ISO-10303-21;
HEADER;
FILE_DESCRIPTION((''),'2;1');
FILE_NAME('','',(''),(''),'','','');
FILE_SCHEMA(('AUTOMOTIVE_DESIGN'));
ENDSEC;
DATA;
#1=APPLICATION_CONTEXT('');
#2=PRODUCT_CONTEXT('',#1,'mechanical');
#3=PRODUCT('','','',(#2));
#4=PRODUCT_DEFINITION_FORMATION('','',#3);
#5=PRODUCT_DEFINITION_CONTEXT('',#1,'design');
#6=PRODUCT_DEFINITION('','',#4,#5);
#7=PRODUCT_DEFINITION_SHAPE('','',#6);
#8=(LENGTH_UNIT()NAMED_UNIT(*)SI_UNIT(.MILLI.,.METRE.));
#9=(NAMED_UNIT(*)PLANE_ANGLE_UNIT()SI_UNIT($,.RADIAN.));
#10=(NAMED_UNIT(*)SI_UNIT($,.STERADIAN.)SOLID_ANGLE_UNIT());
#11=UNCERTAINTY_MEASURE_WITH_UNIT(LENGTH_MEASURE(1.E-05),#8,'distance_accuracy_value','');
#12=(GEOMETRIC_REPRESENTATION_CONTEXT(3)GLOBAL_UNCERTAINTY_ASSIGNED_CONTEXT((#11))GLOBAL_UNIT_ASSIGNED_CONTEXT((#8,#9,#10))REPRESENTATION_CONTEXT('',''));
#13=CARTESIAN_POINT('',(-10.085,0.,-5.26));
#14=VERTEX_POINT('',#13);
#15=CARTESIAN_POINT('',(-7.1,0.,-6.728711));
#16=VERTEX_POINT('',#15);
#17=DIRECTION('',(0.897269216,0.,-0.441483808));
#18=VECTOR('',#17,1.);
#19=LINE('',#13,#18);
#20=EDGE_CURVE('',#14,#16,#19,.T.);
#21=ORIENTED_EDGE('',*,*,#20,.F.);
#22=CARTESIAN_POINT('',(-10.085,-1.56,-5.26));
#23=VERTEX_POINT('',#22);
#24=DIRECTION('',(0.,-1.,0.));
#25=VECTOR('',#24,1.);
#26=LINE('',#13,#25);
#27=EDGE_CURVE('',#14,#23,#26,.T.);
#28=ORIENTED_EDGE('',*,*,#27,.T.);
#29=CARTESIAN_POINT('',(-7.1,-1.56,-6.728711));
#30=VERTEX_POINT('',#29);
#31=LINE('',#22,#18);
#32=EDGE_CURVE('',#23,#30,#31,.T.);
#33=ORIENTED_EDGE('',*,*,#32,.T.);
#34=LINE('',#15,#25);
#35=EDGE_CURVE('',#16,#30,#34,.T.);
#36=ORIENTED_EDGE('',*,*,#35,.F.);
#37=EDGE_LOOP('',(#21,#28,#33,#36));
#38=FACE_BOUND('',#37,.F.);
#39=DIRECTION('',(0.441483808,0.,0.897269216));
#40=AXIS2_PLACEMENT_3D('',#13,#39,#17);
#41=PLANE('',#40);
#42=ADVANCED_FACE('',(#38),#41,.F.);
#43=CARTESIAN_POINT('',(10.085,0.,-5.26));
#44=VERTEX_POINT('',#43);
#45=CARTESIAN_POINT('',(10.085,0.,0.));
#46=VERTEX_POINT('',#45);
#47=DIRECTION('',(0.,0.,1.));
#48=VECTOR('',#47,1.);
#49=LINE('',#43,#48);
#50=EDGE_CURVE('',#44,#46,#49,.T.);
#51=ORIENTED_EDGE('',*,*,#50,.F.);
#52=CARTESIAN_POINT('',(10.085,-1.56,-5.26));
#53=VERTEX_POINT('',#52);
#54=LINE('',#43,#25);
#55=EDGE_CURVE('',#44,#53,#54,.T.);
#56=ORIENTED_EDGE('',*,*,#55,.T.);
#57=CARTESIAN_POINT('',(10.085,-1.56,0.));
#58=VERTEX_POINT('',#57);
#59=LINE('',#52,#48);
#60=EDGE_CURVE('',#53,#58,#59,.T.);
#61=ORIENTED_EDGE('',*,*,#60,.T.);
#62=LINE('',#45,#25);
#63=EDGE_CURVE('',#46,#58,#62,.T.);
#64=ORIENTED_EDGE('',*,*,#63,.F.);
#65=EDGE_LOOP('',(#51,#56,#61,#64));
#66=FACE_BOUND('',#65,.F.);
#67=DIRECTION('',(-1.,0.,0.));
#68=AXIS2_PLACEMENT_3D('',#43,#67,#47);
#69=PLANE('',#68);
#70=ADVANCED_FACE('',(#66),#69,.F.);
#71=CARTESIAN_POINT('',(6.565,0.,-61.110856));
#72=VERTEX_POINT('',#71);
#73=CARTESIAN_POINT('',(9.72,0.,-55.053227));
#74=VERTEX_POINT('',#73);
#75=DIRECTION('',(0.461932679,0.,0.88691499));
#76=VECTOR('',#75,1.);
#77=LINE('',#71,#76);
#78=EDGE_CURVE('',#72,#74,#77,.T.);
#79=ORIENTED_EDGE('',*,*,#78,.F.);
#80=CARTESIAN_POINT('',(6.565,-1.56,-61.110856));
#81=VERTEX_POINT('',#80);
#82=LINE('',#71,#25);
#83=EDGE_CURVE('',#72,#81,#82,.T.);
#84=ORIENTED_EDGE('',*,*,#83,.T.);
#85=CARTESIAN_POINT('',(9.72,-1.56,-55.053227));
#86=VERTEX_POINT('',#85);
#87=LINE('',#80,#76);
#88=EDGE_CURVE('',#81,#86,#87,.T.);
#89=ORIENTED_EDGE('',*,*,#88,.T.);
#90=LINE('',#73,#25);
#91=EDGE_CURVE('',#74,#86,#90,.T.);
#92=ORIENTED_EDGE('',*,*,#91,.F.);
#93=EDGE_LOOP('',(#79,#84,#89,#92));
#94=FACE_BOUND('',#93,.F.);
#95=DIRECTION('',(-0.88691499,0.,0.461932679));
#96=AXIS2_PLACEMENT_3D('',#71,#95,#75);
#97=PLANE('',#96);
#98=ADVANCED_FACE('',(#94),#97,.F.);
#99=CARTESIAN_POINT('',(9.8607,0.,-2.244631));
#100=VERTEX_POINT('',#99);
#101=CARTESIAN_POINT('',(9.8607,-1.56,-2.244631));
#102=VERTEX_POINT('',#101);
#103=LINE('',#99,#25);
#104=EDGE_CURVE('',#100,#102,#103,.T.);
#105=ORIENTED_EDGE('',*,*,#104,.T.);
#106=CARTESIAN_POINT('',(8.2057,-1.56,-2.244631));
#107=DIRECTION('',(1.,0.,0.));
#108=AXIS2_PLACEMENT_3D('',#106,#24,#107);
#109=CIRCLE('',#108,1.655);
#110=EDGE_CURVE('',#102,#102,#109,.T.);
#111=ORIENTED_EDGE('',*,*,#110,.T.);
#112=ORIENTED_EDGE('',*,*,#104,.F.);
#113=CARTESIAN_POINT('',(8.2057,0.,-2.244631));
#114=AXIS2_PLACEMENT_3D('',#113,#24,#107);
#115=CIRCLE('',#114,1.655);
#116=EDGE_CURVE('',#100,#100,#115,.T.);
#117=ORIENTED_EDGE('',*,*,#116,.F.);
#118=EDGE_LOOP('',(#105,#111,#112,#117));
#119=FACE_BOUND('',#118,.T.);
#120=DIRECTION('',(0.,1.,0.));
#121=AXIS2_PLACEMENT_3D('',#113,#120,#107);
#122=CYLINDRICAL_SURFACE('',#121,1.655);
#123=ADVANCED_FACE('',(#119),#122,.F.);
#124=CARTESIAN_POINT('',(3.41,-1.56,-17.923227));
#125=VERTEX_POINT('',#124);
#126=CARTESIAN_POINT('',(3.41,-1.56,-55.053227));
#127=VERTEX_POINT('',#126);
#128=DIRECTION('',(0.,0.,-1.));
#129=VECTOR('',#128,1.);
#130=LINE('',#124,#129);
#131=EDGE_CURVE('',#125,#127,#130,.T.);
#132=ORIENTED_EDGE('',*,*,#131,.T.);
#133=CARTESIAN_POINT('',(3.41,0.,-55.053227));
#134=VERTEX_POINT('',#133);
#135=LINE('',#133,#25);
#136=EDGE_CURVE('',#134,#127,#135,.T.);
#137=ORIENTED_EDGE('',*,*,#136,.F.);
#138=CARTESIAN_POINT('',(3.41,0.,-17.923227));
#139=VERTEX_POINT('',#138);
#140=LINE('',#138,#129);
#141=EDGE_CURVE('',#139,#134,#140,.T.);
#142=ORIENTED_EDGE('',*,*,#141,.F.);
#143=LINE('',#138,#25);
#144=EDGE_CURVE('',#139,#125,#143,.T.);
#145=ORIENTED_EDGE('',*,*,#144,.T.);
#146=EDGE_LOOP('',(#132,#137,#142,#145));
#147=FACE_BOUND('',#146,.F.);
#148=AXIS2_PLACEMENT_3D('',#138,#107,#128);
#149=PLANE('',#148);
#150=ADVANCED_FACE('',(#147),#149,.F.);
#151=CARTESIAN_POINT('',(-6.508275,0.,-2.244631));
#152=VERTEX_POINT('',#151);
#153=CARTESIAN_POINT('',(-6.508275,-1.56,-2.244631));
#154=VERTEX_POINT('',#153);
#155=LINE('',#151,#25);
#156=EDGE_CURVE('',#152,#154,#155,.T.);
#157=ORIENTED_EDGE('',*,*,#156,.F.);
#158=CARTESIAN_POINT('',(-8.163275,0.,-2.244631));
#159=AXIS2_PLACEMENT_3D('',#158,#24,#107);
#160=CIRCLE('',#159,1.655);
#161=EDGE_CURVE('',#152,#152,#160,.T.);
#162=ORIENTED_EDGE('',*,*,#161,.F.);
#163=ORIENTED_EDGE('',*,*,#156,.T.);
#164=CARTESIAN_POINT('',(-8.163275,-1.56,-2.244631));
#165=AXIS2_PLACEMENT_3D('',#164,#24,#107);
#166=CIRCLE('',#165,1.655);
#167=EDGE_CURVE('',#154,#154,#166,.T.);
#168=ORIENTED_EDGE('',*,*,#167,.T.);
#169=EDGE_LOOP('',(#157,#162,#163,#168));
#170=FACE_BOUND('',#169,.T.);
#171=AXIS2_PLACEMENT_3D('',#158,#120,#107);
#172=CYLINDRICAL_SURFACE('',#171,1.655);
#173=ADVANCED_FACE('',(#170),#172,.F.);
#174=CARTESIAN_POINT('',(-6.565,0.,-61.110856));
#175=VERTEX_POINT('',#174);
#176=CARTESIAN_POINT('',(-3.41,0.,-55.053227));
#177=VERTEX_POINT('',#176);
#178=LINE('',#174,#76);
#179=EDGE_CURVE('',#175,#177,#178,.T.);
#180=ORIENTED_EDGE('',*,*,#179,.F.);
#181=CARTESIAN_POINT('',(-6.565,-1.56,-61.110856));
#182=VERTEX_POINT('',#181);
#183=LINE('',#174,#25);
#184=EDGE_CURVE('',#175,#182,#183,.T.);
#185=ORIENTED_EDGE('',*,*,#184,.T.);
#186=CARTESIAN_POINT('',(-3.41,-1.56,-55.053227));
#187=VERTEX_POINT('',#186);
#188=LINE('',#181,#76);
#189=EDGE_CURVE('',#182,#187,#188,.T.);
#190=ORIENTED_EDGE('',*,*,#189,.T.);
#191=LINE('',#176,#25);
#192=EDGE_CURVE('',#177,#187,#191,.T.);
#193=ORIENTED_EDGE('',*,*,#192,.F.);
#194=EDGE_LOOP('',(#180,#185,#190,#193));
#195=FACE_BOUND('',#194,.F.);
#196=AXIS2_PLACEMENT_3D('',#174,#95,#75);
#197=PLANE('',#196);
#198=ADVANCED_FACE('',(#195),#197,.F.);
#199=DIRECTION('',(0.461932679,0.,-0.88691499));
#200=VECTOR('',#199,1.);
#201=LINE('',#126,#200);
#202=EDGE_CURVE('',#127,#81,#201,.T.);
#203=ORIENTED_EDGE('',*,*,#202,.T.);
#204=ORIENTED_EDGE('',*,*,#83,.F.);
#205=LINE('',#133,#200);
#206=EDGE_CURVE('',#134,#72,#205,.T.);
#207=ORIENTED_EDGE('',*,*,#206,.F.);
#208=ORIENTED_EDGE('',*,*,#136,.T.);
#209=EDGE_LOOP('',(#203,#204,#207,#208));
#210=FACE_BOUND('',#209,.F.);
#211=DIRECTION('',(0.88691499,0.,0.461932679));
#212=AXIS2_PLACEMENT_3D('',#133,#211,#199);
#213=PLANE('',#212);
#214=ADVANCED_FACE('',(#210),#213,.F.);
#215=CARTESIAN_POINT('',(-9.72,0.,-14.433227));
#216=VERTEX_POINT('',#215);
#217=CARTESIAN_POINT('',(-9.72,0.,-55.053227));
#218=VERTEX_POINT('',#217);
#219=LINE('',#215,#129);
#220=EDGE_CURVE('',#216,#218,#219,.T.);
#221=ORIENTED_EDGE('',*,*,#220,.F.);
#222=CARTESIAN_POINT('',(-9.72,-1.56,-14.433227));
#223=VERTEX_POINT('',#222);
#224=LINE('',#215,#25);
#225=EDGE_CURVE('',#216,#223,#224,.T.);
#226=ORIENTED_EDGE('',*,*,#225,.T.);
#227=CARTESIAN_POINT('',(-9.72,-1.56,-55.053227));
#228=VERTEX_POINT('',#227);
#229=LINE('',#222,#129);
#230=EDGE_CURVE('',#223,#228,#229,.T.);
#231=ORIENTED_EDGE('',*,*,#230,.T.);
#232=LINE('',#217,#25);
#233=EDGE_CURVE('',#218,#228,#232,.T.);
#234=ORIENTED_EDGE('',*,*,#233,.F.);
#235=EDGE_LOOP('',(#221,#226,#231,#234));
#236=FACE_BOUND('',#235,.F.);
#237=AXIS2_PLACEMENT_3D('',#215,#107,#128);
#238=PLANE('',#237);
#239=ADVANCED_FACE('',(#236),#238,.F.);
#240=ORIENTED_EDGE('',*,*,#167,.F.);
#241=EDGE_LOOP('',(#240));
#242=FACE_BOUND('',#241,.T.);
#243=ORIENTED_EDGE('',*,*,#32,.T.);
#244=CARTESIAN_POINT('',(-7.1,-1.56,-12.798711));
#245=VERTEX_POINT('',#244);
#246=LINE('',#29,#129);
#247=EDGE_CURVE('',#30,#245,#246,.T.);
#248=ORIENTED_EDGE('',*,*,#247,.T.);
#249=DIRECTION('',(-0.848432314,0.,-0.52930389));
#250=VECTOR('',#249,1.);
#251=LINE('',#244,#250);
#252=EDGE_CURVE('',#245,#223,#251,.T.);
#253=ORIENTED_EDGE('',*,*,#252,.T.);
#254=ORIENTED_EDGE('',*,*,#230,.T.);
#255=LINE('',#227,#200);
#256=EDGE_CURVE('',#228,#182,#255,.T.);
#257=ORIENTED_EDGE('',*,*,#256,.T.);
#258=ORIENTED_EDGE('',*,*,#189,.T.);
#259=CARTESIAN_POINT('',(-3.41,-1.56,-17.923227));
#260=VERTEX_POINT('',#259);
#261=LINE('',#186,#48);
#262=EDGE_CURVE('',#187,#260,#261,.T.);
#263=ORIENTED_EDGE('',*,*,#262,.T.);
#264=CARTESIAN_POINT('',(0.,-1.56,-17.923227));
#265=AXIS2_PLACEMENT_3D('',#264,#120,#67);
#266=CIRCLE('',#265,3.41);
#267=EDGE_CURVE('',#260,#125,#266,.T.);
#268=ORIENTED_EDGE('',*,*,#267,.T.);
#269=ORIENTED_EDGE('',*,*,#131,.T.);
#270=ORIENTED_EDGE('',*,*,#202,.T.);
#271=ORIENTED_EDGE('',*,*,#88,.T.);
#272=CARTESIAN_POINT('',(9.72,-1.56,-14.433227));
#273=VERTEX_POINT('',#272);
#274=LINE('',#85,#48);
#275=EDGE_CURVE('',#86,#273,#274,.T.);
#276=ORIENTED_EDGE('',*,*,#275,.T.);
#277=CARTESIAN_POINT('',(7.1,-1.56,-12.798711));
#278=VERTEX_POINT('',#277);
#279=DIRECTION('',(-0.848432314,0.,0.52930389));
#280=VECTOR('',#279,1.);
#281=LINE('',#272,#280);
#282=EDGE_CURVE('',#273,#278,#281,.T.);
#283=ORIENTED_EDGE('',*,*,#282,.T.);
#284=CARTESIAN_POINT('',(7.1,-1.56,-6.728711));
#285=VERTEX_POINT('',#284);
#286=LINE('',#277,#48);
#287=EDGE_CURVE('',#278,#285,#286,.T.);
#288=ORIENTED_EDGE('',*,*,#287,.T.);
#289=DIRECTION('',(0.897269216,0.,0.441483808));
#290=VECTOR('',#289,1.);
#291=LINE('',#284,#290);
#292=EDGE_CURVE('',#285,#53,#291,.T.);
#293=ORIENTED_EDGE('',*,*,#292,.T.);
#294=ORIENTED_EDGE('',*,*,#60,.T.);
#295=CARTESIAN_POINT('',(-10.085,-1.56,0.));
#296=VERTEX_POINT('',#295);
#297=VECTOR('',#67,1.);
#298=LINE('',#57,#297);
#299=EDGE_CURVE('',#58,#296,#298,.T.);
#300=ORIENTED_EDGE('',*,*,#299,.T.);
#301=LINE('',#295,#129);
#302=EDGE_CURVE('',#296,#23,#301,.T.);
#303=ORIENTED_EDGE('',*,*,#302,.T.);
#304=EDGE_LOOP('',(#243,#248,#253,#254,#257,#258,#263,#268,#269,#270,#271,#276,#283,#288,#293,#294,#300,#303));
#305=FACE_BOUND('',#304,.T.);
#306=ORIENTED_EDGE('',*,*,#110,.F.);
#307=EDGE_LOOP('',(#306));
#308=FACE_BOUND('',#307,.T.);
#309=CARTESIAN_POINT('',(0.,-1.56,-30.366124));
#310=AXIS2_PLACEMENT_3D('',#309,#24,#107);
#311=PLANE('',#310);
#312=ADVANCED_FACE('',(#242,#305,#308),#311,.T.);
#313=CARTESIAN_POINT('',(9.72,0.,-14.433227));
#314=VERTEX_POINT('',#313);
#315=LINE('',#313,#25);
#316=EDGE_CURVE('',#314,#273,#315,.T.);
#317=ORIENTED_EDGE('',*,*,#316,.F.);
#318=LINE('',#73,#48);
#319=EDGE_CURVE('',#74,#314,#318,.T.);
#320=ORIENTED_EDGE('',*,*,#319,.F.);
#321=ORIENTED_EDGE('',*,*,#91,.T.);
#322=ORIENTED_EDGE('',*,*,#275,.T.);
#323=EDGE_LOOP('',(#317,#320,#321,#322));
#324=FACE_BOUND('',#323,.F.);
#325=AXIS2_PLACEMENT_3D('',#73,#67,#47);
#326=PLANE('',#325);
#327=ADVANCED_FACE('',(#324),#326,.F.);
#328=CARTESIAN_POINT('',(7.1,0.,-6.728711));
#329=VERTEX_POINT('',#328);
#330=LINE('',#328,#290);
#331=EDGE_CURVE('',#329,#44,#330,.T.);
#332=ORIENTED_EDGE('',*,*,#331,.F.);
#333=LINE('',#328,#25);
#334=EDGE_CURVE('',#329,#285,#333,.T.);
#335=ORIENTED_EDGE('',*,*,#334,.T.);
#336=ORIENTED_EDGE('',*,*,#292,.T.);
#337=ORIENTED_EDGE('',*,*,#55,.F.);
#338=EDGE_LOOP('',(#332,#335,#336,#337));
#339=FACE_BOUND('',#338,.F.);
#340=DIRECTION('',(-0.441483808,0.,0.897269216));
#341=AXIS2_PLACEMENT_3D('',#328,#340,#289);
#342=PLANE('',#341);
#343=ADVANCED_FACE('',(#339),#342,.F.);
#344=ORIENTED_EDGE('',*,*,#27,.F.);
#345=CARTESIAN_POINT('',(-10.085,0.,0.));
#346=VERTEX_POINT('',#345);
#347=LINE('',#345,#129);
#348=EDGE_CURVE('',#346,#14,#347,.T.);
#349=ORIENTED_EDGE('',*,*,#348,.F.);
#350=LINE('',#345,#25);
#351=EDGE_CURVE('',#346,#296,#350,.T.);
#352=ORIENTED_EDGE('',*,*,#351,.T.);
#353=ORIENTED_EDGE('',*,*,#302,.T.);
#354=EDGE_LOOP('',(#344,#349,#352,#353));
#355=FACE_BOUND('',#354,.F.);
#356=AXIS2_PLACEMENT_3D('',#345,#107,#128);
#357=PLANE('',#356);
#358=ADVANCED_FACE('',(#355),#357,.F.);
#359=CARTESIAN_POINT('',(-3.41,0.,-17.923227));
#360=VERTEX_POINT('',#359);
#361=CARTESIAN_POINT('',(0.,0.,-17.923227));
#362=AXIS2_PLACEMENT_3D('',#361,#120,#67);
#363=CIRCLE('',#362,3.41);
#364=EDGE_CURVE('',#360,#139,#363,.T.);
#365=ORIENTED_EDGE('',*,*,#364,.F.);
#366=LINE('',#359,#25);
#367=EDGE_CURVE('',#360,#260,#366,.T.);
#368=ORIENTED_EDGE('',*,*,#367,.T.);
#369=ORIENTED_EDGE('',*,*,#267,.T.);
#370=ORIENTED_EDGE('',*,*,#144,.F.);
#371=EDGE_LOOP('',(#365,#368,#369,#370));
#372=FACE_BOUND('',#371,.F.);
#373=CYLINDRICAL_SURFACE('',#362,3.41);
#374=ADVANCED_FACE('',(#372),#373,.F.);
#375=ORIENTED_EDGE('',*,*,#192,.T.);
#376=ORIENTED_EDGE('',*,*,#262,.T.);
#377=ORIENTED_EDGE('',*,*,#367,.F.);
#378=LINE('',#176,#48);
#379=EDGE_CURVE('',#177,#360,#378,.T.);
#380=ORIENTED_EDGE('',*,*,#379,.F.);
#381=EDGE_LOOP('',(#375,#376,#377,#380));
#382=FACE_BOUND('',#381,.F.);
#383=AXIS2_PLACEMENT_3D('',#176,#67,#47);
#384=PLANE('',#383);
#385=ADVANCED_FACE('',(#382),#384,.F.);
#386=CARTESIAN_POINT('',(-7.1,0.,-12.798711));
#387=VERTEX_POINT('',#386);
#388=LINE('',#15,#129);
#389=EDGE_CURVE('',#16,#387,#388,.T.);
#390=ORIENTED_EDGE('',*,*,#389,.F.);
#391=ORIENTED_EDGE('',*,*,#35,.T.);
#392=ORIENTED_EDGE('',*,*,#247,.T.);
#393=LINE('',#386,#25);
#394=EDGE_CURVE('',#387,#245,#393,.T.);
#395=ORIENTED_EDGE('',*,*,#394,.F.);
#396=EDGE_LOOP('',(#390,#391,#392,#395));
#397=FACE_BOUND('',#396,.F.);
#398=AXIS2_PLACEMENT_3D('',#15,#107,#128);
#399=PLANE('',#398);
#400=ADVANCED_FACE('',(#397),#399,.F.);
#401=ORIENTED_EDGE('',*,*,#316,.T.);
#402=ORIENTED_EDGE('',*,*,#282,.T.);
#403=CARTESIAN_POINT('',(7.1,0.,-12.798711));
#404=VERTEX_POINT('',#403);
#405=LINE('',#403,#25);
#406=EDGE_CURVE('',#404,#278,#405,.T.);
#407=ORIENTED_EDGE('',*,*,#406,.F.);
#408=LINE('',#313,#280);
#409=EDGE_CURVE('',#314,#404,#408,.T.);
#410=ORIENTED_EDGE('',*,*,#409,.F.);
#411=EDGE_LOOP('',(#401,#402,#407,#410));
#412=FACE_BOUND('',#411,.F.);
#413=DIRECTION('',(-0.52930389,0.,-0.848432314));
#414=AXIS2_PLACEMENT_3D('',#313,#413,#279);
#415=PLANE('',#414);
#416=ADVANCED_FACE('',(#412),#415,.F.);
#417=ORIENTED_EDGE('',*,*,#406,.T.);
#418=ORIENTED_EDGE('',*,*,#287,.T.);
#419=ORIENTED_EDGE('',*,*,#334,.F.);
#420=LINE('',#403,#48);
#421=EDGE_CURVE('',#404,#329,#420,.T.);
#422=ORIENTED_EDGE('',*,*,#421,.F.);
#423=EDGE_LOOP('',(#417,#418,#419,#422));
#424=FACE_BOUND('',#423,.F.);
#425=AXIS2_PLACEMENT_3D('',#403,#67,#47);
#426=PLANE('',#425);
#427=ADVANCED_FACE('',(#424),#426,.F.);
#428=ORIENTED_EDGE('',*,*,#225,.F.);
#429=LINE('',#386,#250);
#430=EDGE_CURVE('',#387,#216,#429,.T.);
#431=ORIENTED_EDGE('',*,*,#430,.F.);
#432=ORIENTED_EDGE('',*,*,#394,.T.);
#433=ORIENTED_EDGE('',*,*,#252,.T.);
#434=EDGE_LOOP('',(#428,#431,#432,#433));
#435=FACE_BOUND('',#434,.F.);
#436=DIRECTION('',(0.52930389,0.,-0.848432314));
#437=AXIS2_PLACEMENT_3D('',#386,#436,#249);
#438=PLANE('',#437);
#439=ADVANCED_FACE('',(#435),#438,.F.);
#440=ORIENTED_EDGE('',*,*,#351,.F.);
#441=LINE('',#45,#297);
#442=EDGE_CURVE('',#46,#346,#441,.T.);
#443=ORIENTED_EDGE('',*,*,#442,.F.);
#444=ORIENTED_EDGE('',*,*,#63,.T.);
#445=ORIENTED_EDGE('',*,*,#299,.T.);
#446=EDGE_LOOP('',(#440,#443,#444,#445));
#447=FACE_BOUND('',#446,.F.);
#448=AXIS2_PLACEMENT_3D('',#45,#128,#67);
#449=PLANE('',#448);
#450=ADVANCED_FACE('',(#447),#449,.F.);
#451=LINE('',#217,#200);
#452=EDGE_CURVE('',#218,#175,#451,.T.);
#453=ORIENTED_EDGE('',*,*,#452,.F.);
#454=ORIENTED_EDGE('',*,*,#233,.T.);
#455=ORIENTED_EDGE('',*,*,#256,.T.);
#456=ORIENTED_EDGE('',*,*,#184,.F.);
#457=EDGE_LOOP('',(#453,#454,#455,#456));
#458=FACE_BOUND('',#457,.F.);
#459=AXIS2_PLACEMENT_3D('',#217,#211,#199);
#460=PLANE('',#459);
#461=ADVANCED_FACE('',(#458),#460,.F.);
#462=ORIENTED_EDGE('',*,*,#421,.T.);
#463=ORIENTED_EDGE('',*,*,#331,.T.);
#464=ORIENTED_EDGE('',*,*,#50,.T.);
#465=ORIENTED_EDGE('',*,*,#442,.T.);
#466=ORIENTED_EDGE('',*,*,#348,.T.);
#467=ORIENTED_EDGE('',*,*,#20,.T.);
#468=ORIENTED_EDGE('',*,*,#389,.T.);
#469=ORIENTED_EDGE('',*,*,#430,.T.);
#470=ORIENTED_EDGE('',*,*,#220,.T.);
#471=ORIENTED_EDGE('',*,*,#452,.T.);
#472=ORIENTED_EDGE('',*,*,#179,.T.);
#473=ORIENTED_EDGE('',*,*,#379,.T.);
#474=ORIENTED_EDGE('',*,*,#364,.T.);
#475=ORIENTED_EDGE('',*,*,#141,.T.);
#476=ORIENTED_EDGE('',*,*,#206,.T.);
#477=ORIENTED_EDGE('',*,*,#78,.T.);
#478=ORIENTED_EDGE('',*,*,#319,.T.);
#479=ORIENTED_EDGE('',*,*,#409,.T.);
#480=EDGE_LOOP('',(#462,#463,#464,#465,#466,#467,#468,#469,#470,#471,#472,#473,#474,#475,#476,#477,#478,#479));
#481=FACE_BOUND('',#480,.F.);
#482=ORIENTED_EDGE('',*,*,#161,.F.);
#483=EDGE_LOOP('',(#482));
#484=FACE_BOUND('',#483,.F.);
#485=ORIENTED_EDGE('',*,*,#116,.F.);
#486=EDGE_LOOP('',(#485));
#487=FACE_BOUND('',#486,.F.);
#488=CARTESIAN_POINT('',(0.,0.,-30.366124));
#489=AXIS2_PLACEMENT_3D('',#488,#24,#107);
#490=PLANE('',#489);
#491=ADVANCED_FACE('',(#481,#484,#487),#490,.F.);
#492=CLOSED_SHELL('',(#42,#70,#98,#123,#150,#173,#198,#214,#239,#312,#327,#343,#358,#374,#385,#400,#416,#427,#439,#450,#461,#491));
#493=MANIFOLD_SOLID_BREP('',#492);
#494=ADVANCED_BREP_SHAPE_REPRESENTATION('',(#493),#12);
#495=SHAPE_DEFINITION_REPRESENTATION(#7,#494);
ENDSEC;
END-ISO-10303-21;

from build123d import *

# Parameters (mm, degrees)
F0_R     = 1.655
F1_DEPTH = 1.56


with BuildPart() as f1:
    # F0 (on Front) → F1 (new body)
    with BuildSketch(Plane.XZ):
        with BuildLine():
            Line((10.085, 0), (0, 0))
            Line((0, 0), (-10.085, 0))
            Line((-10.085, 0), (-10.085, -5.26))
            Line((-10.085, -5.26), (-7.1, -6.728711))
            Line((-7.1, -6.728711), (-7.1, -12.798711))
            Line((-7.1, -12.798711), (-9.72, -14.433227))
            Line((-9.72, -14.433227), (-9.72, -17.923227))
            Line((-9.72, -17.923227), (-9.72, -55.053227))
            Line((-9.72, -55.053227), (-6.565, -61.110856))
            Line((-6.565, -61.110856), (-3.41, -55.053227))
            Line((-3.41, -55.053227), (-3.41, -17.923227))
            ThreePointArc((-3.41, -17.923227), (0, -14.513227), (3.41, -17.923227))
            Line((3.41, -17.923227), (3.41, -55.053227))
            Line((3.41, -55.053227), (6.565, -61.110856))
            Line((6.565, -61.110856), (9.72, -55.053227))
            Line((9.72, -55.053227), (9.72, -17.923227))
            Line((9.72, -17.923227), (9.72, -14.433227))
            Line((9.72, -14.433227), (7.1, -12.798711))
            Line((7.1, -12.798711), (7.1, -6.728711))
            Line((7.1, -6.728711), (10.085, -5.26))
            Line((10.085, -5.26), (10.085, 0))
        make_face()
        with Locations((-8.163275, -2.244631)):
            Circle(F0_R, mode=Mode.SUBTRACT)
        with Locations((8.2057, -2.244631)):
            Circle(F0_R, mode=Mode.SUBTRACT)
    extrude(amount=F1_DEPTH)


solid = f1.part
